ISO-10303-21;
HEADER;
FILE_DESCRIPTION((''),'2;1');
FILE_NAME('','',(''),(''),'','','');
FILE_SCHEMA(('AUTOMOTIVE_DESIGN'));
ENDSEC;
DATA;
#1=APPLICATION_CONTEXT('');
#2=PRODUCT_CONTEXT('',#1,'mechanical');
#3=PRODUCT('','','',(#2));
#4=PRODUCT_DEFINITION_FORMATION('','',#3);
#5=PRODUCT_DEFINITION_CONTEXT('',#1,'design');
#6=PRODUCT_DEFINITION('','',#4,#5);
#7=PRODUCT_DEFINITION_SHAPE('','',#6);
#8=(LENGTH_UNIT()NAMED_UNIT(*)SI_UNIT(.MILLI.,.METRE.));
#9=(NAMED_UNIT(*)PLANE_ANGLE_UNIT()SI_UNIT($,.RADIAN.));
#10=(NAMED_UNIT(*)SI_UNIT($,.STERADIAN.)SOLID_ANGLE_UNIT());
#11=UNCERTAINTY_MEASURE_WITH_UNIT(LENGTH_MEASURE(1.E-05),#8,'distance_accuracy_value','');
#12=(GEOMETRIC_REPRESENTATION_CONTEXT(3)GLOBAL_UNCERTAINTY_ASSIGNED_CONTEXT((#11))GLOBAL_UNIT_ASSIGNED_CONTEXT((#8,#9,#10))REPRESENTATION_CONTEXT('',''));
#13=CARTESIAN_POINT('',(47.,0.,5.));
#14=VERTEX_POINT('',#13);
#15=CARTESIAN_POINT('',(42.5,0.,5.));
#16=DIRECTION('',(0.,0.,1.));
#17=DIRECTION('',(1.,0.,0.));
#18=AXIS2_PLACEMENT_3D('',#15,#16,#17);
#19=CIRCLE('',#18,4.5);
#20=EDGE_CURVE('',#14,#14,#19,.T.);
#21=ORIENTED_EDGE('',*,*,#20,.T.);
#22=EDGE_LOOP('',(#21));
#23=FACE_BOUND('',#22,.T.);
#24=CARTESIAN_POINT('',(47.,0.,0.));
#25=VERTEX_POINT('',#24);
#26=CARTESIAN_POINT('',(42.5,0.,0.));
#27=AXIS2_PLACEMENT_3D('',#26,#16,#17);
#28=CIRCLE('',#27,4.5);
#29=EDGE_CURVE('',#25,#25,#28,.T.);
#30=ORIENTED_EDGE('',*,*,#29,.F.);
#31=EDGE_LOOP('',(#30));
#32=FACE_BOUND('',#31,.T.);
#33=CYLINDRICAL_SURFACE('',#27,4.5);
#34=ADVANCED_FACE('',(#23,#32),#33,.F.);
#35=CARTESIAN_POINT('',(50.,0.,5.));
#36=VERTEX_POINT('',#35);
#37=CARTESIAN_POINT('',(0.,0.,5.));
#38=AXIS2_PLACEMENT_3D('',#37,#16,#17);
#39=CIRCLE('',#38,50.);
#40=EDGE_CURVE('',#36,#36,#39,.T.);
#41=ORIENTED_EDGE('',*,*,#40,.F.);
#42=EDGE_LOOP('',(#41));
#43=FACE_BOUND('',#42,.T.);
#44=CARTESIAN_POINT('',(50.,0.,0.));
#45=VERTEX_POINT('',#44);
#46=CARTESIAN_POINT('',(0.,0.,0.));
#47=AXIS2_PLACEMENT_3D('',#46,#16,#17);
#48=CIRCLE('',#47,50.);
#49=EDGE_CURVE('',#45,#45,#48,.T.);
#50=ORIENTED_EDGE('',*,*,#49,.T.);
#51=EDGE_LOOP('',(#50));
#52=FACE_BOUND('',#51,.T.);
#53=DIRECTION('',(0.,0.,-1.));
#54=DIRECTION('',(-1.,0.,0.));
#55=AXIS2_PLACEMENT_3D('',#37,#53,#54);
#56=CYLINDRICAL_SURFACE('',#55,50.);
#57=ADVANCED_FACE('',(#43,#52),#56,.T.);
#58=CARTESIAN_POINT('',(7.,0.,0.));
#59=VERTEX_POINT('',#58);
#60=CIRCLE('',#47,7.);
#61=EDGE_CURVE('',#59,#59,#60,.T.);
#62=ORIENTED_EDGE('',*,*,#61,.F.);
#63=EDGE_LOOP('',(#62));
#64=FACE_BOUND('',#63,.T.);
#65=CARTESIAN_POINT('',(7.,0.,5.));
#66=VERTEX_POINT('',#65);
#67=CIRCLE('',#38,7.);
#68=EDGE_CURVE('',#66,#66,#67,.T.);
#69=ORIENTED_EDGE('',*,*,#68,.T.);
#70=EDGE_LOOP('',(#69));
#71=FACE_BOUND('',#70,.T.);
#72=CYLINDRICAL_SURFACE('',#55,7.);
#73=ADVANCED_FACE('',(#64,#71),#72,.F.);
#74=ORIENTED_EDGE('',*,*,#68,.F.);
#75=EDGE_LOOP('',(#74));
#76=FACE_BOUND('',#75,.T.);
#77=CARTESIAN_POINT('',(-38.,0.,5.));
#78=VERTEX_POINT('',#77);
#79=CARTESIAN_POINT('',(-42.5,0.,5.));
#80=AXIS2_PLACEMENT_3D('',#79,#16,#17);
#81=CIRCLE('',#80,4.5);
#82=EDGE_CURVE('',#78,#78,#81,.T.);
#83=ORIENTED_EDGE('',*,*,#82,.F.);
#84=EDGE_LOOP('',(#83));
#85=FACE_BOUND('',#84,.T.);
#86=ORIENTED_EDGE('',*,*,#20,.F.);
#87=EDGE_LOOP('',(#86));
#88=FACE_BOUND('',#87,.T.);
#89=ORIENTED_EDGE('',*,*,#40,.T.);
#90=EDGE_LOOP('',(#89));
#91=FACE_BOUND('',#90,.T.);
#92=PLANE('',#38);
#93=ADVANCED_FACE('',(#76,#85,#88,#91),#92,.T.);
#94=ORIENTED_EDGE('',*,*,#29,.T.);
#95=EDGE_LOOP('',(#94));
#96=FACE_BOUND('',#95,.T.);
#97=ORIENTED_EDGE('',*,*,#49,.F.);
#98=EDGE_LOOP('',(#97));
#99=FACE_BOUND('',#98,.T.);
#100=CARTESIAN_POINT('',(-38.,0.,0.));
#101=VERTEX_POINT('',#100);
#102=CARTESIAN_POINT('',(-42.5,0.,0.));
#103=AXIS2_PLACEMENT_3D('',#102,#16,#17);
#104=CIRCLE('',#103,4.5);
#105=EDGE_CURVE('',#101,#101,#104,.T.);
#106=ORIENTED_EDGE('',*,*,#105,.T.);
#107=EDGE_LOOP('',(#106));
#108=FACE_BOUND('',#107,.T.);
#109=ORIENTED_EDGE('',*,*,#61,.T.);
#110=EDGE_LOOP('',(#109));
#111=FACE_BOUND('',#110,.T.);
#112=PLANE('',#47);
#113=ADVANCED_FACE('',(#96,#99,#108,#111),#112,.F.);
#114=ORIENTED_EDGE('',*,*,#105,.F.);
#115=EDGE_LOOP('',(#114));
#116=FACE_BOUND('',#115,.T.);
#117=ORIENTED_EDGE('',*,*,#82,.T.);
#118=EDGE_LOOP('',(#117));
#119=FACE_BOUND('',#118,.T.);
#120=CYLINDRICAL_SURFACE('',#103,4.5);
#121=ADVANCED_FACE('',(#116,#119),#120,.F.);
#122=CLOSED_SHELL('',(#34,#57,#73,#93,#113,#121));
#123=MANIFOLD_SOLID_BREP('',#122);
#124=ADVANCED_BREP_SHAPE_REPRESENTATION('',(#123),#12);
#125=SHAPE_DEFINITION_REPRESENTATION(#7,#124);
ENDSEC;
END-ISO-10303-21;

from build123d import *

# Parameters (mm, degrees)
SKETCH1_R           = 50
SKETCH1_R_2         = 7
BOSS_EXTRUDE1_DEPTH = 5
SKETCH2_R           = 4.5
CUT_EXTRUDE1_DEPTH  = 5


with BuildPart() as part:
    # Sketch1 → Boss-Extrude1 (new body)
    with BuildSketch(Plane.XY):
        Circle(SKETCH1_R)
        Circle(SKETCH1_R_2, mode=Mode.SUBTRACT)
    extrude(amount=BOSS_EXTRUDE1_DEPTH)

    # Sketch2 → Cut-Extrude1 (cut)
    with BuildSketch(Plane.XY.offset(5)):
        with Locations((-42.5, 0)):
            Circle(SKETCH2_R)
        with Locations((42.5, 0)):
            Circle(SKETCH2_R)
    extrude(amount=-CUT_EXTRUDE1_DEPTH, mode=Mode.SUBTRACT)


solid = part.part
